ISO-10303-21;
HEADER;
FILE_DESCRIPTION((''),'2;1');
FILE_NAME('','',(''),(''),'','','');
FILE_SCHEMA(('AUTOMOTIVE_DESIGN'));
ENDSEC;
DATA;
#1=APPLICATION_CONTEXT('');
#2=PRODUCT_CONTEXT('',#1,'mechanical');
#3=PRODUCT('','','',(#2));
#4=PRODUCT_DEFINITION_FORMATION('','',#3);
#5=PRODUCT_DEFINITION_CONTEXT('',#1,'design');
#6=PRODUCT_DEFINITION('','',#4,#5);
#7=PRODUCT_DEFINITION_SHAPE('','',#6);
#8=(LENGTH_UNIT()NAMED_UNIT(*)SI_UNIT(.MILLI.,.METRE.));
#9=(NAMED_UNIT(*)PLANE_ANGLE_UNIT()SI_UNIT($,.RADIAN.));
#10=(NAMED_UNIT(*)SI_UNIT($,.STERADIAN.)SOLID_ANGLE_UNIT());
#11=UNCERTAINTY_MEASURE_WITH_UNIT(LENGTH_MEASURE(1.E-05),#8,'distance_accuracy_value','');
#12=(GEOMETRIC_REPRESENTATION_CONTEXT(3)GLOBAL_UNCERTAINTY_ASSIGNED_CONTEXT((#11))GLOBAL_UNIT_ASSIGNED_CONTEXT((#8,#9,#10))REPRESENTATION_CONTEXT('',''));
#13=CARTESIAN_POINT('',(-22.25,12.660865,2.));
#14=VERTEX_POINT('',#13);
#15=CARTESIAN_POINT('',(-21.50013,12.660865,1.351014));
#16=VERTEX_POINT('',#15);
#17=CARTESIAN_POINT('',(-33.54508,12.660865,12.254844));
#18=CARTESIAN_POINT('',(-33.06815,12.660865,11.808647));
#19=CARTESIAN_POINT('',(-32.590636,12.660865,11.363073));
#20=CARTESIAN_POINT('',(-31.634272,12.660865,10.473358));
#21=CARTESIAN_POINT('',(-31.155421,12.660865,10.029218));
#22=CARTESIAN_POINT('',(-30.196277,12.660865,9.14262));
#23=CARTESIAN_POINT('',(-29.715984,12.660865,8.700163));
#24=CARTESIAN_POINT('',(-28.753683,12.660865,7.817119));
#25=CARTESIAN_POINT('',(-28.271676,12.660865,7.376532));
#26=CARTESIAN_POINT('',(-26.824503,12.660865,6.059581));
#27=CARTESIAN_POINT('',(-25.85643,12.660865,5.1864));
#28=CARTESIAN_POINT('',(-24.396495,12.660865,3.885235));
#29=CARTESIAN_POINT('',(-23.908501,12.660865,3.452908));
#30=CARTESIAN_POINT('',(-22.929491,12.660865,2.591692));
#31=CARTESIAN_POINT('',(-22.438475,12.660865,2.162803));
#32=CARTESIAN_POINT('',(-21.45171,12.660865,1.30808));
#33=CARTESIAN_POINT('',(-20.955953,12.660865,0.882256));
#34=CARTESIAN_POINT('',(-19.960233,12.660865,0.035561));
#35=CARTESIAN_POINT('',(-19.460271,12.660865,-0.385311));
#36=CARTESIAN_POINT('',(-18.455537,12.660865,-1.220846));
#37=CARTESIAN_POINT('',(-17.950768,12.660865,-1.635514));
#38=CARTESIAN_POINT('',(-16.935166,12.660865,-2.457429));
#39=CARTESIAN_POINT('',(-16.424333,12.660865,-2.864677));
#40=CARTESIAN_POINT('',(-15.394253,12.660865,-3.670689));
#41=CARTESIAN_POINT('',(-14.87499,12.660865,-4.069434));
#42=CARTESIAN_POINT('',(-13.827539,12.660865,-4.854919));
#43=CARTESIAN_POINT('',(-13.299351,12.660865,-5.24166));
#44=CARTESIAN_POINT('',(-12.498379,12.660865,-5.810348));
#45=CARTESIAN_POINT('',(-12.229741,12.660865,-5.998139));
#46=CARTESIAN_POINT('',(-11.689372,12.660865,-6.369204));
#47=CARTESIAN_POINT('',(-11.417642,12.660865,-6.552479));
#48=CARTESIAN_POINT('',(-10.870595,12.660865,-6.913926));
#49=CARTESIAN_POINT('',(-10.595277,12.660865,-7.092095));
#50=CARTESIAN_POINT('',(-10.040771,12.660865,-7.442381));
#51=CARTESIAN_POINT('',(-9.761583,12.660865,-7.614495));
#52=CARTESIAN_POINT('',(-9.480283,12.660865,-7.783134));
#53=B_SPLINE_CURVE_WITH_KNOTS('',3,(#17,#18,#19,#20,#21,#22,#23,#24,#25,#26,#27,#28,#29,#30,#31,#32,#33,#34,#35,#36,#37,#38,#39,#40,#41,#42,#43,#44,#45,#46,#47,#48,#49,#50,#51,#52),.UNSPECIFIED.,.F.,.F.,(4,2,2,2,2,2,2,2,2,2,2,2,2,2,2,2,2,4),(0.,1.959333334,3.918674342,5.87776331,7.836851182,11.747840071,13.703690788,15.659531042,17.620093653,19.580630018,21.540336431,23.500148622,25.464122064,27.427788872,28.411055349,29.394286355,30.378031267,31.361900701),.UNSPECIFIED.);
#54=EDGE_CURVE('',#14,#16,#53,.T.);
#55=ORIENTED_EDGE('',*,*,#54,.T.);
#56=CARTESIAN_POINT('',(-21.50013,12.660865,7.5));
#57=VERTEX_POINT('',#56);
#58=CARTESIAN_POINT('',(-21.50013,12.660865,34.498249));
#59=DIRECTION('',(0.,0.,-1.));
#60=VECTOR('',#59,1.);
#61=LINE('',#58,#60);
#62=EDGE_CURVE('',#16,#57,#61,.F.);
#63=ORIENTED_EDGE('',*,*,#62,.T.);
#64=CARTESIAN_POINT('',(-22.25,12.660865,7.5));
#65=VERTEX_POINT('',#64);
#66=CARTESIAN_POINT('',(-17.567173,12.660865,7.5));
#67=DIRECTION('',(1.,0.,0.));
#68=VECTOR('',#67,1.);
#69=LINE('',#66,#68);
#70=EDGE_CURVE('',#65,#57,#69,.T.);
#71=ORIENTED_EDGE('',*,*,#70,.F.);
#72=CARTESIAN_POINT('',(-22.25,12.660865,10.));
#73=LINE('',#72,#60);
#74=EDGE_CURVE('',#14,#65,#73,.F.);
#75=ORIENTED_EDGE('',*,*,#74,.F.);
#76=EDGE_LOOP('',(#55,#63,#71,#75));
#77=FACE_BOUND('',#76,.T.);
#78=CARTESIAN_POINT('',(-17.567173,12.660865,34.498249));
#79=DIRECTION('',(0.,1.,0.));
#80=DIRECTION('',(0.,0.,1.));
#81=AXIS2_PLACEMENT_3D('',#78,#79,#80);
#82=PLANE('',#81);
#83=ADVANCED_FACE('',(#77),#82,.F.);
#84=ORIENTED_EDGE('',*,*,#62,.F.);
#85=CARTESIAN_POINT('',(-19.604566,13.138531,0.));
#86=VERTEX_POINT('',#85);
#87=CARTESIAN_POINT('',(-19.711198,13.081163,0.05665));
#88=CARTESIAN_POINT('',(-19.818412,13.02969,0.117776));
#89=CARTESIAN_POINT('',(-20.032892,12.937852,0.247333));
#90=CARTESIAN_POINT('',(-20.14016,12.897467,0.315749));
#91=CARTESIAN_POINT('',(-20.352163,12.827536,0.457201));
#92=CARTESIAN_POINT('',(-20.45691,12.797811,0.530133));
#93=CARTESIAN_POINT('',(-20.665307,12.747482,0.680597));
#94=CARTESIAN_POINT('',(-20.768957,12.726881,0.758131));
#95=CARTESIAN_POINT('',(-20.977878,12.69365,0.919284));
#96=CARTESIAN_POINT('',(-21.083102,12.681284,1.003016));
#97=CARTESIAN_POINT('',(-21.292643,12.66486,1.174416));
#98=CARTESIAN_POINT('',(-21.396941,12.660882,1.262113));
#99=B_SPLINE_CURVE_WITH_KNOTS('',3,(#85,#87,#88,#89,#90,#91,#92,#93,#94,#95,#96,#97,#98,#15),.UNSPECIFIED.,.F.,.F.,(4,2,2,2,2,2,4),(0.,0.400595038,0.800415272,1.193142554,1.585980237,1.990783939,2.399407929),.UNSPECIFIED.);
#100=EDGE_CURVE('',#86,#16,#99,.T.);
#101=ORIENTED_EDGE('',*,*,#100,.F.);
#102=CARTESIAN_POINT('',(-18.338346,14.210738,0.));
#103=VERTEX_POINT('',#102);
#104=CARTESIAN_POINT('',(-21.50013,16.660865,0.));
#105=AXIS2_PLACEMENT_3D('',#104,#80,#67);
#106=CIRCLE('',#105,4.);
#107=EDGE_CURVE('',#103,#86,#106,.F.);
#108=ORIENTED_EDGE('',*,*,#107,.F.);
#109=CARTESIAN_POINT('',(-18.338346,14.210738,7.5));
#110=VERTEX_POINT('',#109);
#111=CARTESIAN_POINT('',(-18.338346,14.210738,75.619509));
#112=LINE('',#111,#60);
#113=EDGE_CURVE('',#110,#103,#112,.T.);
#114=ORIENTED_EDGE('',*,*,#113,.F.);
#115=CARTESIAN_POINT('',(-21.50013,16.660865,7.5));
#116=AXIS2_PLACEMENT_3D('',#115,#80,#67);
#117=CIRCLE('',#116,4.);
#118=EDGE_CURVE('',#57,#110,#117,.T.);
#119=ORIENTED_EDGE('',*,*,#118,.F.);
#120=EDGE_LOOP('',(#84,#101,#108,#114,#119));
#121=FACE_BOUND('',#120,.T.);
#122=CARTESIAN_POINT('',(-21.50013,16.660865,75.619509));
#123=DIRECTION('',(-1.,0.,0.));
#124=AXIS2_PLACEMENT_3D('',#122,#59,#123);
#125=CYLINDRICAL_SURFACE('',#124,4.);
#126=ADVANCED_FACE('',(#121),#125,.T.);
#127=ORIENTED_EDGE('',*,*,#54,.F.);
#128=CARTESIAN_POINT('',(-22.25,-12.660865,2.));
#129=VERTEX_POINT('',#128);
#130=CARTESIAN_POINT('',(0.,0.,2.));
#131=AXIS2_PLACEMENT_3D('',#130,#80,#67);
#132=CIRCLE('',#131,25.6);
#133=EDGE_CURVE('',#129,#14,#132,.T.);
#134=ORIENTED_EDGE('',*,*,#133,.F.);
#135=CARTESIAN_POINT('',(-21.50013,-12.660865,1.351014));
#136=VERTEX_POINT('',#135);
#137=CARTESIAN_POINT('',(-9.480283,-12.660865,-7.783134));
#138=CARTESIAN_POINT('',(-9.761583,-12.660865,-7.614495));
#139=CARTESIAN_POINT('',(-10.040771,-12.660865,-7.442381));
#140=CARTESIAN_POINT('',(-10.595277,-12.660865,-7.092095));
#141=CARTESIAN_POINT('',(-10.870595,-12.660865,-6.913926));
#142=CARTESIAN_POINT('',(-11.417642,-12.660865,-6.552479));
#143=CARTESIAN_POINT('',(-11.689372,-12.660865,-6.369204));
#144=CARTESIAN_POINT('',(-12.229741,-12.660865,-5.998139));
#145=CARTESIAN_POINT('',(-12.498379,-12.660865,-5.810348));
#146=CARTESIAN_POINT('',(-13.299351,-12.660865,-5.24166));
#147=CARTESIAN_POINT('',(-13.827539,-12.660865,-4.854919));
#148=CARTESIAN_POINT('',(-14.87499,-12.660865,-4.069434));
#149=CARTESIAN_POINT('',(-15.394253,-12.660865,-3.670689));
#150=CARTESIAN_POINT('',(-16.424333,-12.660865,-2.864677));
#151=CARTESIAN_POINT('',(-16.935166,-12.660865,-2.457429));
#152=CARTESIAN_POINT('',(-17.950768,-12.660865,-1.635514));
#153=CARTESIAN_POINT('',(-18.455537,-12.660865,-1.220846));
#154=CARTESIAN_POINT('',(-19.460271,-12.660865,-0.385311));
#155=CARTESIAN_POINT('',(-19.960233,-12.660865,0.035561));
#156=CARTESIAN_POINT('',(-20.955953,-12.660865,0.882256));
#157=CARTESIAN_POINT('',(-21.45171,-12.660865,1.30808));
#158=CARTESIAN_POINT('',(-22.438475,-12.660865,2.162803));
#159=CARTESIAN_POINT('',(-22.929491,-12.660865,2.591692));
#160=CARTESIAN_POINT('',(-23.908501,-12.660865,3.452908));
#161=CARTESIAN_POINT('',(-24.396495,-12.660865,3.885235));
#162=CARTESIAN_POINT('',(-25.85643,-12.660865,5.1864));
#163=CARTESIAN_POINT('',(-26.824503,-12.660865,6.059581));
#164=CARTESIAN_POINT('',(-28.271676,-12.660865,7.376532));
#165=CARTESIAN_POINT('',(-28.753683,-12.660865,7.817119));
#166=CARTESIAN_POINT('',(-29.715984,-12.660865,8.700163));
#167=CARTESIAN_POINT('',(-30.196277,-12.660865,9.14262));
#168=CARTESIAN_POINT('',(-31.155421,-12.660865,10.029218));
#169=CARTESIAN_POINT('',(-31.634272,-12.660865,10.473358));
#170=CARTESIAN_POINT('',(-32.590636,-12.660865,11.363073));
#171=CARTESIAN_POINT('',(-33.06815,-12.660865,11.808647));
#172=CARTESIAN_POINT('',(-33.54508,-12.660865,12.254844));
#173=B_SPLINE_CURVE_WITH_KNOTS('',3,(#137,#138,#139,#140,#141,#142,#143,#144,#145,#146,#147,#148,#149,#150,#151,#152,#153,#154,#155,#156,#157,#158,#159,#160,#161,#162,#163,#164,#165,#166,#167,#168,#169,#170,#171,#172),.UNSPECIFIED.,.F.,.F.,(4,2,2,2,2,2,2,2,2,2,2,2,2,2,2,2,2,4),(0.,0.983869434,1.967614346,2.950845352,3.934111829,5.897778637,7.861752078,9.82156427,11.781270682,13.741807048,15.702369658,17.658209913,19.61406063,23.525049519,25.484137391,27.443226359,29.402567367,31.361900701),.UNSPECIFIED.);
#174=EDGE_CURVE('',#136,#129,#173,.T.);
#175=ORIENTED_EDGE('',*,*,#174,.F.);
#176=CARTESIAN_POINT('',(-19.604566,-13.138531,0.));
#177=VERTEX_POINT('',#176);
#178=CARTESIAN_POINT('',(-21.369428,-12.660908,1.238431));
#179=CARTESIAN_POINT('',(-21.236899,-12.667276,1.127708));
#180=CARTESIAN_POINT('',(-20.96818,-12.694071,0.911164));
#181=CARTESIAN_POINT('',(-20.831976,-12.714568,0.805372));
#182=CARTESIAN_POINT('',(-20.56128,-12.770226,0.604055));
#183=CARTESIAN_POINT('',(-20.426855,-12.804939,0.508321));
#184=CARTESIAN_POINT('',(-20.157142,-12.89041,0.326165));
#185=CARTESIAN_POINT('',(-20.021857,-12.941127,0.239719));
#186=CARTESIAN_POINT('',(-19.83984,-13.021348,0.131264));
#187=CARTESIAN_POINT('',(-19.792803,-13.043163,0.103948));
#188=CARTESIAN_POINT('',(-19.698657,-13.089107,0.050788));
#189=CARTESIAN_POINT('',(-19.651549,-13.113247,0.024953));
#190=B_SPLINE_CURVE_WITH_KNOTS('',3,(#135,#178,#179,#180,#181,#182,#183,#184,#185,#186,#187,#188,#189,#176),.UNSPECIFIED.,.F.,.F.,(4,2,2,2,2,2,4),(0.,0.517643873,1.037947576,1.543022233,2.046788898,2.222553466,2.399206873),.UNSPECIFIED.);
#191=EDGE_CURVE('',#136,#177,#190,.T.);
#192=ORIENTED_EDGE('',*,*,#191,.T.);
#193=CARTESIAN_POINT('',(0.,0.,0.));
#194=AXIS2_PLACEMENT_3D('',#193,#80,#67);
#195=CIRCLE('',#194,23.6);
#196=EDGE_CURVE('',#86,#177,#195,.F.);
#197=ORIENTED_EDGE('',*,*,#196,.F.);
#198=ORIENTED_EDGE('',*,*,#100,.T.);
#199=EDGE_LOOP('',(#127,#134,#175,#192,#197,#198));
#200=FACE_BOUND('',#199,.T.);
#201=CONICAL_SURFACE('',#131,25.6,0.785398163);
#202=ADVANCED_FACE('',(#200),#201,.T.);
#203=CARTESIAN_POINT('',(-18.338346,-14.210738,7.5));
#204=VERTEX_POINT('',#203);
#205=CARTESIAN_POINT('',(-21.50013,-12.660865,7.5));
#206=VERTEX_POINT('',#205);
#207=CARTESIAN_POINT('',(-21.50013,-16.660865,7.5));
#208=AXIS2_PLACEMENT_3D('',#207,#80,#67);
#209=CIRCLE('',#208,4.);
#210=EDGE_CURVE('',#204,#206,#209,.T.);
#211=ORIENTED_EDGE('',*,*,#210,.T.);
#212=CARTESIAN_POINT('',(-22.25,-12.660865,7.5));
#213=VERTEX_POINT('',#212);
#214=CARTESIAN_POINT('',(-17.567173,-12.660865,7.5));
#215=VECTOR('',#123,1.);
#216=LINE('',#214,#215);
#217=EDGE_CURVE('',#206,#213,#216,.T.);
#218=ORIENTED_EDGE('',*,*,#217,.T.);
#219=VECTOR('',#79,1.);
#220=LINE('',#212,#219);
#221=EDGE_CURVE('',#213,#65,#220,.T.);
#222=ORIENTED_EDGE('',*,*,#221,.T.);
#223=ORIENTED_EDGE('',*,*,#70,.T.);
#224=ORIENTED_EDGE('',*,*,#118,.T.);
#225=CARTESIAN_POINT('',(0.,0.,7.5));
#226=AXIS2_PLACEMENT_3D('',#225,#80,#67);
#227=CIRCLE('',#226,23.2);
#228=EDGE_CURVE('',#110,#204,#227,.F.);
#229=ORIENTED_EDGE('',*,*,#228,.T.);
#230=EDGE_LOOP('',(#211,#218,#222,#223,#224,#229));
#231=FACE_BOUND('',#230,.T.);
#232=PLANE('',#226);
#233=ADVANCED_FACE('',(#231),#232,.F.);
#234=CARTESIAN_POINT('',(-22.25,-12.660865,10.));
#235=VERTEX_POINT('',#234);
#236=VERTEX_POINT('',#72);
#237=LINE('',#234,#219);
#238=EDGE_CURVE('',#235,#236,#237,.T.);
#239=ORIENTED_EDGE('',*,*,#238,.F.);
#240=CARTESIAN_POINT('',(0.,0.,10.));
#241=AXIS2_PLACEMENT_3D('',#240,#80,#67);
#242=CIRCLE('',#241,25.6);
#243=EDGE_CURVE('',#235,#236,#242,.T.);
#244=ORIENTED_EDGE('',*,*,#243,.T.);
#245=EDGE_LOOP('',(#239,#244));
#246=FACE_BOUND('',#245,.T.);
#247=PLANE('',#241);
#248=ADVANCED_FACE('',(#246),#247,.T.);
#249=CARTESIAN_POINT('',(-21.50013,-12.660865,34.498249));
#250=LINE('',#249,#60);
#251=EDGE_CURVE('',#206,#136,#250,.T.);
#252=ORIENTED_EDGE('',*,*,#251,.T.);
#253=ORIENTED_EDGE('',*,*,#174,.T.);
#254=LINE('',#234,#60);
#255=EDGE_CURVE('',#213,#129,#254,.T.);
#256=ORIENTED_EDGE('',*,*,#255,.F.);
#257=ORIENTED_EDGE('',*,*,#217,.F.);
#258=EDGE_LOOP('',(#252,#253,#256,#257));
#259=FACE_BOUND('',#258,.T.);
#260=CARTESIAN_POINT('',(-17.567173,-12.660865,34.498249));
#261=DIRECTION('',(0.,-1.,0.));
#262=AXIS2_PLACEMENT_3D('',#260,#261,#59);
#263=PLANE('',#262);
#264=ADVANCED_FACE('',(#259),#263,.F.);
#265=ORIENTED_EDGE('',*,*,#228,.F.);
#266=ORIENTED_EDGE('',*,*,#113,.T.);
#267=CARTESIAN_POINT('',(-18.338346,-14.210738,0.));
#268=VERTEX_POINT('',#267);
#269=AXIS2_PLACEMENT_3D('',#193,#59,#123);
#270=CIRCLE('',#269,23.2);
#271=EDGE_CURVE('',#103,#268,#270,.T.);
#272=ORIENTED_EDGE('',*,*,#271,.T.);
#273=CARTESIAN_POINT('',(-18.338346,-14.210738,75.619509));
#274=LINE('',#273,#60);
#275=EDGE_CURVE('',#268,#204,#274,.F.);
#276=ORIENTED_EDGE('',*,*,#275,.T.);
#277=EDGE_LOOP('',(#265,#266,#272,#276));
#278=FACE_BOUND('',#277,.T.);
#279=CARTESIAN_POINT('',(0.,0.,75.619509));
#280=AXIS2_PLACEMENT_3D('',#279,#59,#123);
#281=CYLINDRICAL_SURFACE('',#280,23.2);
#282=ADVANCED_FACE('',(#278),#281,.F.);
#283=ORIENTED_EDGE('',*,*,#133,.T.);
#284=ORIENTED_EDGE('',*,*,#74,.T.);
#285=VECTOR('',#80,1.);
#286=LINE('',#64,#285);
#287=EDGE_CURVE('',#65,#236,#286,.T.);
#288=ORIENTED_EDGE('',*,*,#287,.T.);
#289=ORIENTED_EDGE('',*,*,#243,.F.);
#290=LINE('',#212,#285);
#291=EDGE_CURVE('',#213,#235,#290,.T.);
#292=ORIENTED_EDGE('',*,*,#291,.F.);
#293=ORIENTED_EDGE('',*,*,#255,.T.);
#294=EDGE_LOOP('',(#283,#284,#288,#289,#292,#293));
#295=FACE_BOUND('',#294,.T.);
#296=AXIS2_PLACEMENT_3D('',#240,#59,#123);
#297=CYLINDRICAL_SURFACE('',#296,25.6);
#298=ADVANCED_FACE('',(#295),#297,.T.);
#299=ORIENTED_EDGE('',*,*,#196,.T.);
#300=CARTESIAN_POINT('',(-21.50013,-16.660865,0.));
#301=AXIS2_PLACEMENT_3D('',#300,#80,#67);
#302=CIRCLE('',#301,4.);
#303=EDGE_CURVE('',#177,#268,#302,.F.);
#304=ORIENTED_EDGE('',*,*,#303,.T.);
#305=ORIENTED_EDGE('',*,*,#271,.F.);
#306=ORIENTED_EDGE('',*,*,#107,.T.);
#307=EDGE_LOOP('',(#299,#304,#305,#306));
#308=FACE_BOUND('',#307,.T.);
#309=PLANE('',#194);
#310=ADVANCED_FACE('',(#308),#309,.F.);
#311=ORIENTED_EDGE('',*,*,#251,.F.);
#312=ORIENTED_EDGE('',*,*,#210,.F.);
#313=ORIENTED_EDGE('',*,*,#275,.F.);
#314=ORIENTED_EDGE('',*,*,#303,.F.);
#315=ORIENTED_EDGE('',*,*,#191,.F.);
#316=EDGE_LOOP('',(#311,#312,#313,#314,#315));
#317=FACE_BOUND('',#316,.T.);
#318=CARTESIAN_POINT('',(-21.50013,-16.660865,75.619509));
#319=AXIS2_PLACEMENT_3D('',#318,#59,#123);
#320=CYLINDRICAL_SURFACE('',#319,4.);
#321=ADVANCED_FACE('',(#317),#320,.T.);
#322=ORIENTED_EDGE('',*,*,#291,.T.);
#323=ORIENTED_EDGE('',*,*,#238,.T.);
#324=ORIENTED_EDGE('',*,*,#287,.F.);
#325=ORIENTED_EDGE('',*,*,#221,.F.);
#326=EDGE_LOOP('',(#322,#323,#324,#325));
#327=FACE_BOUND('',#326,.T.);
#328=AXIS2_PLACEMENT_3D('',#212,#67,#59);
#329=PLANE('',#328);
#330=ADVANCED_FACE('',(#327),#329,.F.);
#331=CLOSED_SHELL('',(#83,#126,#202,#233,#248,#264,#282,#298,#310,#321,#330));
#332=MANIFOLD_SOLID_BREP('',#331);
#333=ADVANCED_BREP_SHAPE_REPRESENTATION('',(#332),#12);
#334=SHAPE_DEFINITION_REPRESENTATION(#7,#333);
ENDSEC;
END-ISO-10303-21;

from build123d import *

# Parameters (mm, degrees)
SKETCH_1_R          = 25.6
EXTRUDE_1_DEPTH     = 10
CHAMFER_1_SIZE      = 2
CUT_EXTRUDE_START   = -2.5
CUT_EXTRUDE_1_DEPTH = 2.5
SKETCH_3_R          = 23.2
CUT_EXTRUDE_2_DEPTH = 7.5
CUT_EXTRUDE_3_REACH = 39.56
SKETCH_5_W          = 9.365653714
SKETCH_5_H          = 25.321729798
FILLET_2_R          = 4


with BuildPart() as part:
    # Эскиз1 → Бобышка-Вытянуть1 (new body)
    with BuildSketch(Plane.XY):
        Circle(SKETCH_1_R)
    extrude(amount=EXTRUDE_1_DEPTH)

    # Фаска1
    chamfer_1_edges = [part.edges().sort_by_distance(p)[0] for p in [
        (-25.6, 0, 0),
    ]]
    chamfer(chamfer_1_edges, length=CHAMFER_1_SIZE)

    # Эскиз2 → Вырез-Вытянуть1 (cut)
    with BuildSketch(Plane.XY.offset(10).offset(CUT_EXTRUDE_START)):
        with BuildLine():
            Line((-22.25, -12.660864899), (-22.25, 12.660864899))
            ThreePointArc((-22.25, 12.660864899), (-25.6, 0), (-22.25, -12.660864899))
        make_face()
    extrude(amount=CUT_EXTRUDE_1_DEPTH, mode=Mode.SUBTRACT)

    # Эскиз3 → Вырез-Вытянуть2 (cut)
    with BuildSketch(Plane(origin=(0, 0, 0), x_dir=(-1, 0, 0), z_dir=(0, 0, -1))):
        Circle(SKETCH_3_R)
    extrude(amount=-CUT_EXTRUDE_2_DEPTH, mode=Mode.SUBTRACT)

    # Вырез-Вытянуть3: up to this face of the body (flat: up to its plane)
    cut_extrude_3_end = Plane(part.part.faces().sort_by_distance((0.112414177, 0, 7.5))[0])
    # Эскиз5 → Вырез-Вытянуть3 (cut, up to the picked face)
    with BuildSketch(Plane(origin=(0, 0, 0), x_dir=(-1, 0, 0), z_dir=(0, 0, -1)), mode=Mode.PRIVATE) as cut_extrude_3_sk1:
        with Locations((22.25, 0)):
            Rectangle(SKETCH_5_W, SKETCH_5_H)
    cut_extrude_3_tool1 = split(extrude(cut_extrude_3_sk1.sketch, amount=-CUT_EXTRUDE_3_REACH, mode=Mode.PRIVATE), bisect_by=cut_extrude_3_end, keep=Keep.BOTH, mode=Mode.PRIVATE)
    add(cut_extrude_3_tool1.solids().sort_by(Axis((-22.25, 0, 0), (0, 0, 1)))[0], mode=Mode.SUBTRACT)

    # Скругление2
    fillet_2_edges = [part.edges().sort_by_distance(p)[0] for p in [
        (-19.440743299, 12.660864899, 3.75),
        (-19.440743299, -12.660864899, 3.75),
    ]]
    fillet(fillet_2_edges, radius=FILLET_2_R)


solid = part.part
